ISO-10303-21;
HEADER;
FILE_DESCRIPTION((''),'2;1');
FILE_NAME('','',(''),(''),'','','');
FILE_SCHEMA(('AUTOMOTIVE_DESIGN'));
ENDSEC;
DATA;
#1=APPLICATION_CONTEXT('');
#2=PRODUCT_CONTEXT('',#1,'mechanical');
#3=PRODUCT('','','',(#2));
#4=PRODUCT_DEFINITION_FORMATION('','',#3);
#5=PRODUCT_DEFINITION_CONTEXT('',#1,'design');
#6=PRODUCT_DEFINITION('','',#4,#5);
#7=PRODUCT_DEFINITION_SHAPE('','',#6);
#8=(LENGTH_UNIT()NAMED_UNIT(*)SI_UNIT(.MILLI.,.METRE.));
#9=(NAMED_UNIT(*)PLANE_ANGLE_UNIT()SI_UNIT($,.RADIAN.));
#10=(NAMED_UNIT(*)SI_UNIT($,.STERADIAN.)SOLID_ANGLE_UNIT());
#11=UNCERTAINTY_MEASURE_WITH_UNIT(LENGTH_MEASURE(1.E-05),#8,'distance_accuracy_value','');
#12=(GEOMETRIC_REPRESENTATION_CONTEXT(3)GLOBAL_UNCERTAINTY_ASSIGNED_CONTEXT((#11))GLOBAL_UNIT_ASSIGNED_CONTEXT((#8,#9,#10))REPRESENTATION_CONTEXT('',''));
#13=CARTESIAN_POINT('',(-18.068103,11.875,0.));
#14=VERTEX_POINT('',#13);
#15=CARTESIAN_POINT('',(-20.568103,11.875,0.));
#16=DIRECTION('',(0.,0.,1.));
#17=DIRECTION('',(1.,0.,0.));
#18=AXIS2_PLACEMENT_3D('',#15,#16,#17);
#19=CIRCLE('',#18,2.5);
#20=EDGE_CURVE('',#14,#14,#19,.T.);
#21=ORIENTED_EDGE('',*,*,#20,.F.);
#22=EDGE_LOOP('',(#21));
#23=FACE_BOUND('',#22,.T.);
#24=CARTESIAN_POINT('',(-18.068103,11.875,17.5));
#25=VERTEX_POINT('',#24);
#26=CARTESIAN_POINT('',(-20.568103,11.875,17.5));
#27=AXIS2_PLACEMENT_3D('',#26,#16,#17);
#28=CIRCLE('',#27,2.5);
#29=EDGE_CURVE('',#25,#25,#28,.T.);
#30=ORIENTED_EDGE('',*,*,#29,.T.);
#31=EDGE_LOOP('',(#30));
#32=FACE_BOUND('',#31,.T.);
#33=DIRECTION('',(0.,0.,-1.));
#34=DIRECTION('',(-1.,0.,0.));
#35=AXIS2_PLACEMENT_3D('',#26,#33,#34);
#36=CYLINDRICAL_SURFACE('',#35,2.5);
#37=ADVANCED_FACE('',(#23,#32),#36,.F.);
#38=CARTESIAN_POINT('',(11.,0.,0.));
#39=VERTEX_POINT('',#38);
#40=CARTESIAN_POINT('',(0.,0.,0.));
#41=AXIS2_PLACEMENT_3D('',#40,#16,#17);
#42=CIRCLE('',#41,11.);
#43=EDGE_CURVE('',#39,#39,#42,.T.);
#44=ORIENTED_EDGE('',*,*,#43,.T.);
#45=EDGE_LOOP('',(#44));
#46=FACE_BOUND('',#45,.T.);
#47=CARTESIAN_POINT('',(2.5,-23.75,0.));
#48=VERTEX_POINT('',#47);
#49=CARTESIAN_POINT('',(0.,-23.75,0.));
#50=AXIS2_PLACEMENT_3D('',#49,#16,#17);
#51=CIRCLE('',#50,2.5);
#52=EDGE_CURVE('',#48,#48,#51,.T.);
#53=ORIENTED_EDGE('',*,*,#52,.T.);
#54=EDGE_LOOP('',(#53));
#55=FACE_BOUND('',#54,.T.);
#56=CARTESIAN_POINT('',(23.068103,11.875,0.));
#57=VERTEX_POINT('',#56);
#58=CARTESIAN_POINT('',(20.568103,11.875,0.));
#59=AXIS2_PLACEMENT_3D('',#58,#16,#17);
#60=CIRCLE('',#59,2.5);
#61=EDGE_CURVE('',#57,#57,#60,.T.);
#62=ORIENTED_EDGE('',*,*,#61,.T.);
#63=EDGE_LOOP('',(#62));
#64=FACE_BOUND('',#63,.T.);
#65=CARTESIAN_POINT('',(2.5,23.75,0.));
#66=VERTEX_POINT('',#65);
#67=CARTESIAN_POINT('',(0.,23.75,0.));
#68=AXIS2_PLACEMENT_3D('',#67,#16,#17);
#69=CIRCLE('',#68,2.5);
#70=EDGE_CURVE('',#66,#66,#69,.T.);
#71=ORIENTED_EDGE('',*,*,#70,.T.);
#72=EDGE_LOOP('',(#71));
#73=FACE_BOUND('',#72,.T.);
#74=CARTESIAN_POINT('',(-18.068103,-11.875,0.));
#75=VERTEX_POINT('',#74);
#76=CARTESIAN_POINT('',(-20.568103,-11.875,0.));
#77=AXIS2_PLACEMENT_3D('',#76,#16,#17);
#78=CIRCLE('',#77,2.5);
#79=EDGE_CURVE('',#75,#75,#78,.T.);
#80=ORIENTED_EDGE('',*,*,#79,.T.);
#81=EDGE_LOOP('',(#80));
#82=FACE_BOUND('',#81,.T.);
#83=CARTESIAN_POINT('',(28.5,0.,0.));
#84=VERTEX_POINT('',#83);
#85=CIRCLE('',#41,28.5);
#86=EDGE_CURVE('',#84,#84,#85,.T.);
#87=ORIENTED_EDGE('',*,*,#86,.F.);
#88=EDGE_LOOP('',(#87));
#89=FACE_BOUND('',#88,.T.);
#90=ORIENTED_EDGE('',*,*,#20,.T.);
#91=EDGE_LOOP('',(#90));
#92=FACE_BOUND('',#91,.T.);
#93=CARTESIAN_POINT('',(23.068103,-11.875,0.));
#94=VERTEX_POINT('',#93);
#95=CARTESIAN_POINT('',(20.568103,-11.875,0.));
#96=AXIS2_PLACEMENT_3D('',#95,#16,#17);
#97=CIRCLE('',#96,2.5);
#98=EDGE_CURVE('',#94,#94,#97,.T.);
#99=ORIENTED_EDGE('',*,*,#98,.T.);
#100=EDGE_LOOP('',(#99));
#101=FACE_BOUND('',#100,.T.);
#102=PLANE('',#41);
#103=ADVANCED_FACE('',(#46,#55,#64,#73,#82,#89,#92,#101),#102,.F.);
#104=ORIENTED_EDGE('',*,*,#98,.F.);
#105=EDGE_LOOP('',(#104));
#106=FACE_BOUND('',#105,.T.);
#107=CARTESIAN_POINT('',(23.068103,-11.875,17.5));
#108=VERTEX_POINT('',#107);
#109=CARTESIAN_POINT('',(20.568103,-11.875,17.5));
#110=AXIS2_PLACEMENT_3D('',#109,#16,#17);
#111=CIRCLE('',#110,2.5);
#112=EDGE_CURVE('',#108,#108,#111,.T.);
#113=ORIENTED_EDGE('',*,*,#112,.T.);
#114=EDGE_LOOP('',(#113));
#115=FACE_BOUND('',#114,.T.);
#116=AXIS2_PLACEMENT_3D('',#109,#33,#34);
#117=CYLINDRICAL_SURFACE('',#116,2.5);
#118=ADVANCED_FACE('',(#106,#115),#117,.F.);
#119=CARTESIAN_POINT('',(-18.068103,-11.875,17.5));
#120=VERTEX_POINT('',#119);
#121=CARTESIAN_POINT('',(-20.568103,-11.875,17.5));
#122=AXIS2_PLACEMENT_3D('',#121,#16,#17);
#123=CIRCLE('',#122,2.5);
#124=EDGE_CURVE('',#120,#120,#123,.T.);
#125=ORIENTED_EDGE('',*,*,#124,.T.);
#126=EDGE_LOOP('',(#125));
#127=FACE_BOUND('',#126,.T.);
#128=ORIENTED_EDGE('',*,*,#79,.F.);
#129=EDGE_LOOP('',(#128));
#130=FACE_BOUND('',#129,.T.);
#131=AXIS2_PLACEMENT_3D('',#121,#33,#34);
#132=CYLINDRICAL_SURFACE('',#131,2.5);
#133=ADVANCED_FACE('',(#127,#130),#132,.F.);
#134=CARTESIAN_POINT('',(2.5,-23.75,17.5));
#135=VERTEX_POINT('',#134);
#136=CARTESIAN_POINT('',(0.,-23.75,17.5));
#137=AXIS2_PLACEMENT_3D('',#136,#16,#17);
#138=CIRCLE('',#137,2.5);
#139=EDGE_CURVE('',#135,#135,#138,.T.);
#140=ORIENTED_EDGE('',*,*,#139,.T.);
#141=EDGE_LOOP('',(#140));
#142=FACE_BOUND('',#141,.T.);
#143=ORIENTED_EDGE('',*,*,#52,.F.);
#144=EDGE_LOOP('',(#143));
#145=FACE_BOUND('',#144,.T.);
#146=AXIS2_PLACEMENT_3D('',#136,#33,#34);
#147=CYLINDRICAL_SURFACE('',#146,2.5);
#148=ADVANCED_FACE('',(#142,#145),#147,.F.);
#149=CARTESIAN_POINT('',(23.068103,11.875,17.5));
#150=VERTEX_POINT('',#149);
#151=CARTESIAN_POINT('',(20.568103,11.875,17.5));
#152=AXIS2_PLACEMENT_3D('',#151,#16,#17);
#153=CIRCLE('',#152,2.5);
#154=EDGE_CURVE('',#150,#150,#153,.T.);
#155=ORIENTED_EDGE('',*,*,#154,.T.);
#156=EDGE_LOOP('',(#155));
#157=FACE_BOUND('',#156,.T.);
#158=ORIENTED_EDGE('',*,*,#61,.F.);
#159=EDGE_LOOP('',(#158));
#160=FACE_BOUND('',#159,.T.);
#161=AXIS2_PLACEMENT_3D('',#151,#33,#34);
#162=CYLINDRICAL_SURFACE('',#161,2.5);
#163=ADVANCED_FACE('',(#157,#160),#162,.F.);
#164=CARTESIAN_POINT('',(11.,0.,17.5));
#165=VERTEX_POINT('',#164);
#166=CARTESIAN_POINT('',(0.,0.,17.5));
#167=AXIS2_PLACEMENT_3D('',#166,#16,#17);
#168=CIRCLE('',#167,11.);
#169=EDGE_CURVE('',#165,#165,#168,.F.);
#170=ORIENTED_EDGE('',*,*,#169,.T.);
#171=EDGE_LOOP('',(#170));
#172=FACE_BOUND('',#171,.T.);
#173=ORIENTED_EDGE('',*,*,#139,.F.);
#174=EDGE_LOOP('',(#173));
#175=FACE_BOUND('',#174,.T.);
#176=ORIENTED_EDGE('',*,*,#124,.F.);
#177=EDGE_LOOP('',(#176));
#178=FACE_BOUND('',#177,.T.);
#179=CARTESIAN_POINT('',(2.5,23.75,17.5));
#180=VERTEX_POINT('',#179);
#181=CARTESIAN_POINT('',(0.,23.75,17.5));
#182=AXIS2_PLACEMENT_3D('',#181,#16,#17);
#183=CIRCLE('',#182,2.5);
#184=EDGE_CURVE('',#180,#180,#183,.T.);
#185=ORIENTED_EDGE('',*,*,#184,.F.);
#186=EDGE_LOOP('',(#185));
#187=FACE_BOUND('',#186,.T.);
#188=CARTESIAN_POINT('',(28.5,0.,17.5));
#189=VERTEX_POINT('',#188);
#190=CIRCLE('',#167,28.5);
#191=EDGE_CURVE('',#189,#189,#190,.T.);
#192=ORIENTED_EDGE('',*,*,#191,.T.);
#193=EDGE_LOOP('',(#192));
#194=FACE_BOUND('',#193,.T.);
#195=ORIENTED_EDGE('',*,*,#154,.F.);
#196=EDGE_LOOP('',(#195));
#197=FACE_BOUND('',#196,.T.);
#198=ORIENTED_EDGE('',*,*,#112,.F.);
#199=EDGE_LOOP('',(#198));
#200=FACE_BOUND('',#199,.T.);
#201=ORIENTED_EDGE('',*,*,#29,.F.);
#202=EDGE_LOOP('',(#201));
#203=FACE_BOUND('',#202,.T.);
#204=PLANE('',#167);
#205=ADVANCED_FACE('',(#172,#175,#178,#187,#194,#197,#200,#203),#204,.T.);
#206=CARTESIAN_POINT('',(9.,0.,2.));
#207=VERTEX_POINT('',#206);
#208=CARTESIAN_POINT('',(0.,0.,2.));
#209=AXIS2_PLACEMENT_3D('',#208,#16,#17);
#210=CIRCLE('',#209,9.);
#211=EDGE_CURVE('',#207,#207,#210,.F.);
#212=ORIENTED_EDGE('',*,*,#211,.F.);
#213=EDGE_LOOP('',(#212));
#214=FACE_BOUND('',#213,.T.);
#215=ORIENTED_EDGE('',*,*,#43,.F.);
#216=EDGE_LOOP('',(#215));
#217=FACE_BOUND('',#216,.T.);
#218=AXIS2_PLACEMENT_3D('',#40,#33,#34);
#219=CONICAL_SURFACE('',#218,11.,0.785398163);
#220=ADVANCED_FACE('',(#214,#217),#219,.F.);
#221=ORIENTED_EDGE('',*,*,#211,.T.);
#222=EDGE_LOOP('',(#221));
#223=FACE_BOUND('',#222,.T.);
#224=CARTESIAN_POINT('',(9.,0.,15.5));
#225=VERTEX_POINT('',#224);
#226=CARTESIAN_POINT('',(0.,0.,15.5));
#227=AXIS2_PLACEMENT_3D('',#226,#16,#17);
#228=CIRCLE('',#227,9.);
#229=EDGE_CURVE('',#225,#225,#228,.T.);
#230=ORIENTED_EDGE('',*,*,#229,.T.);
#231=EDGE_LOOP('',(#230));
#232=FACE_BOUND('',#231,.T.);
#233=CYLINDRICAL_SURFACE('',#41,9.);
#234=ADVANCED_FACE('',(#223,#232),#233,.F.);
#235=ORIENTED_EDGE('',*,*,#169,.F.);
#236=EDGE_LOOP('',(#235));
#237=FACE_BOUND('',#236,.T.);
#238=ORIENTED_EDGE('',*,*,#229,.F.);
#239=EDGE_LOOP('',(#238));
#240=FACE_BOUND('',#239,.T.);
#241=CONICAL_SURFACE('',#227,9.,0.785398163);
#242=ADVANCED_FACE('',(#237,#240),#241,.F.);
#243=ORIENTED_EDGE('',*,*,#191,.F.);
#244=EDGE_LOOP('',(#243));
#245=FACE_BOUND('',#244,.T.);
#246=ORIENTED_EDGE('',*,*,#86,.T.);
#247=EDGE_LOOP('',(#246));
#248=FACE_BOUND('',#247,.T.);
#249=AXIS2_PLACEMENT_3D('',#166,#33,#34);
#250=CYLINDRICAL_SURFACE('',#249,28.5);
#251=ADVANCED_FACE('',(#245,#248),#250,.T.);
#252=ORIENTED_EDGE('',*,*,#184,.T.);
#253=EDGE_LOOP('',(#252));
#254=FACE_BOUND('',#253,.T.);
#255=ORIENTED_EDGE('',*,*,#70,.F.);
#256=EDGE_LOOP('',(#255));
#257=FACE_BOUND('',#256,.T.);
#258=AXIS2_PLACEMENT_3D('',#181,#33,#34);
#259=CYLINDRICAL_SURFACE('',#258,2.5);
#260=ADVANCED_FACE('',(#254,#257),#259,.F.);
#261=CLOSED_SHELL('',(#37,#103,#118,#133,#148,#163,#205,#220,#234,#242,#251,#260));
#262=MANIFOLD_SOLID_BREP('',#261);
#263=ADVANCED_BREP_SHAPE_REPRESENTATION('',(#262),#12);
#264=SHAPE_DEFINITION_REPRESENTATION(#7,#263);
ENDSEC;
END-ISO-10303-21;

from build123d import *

# Parameters (mm, degrees)
SKETCH1_R           = 28.5
SKETCH1_R_2         = 2.5
BOSS_EXTRUDE1_DEPTH = 17.5
SKETCH2_R           = 9
CUT_EXTRUDE1_DEPTH  = 18.5
CHAMFER1_SIZE       = 2


with BuildPart() as part:
    # Sketch1 → Boss-Extrude1 (new body)
    with BuildSketch(Plane.XY):
        Circle(SKETCH1_R)
        with Locations((0, 23.75)):
            Circle(SKETCH1_R_2, mode=Mode.SUBTRACT)
        with Locations((20.56810334, 11.875)):
            Circle(SKETCH1_R_2, mode=Mode.SUBTRACT)
        with Locations((20.56810334, -11.875)):
            Circle(SKETCH1_R_2, mode=Mode.SUBTRACT)
        with Locations((0, -23.75)):
            Circle(SKETCH1_R_2, mode=Mode.SUBTRACT)
        with Locations((-20.56810334, -11.875)):
            Circle(SKETCH1_R_2, mode=Mode.SUBTRACT)
        with Locations((-20.56810334, 11.875)):
            Circle(SKETCH1_R_2, mode=Mode.SUBTRACT)
    extrude(amount=BOSS_EXTRUDE1_DEPTH)

    # Sketch2 → Cut-Extrude1 (cut, through all)
    with BuildSketch(Plane.XY.offset(17.5)):
        Circle(SKETCH2_R)
    extrude(amount=-CUT_EXTRUDE1_DEPTH, mode=Mode.SUBTRACT)

    # Chamfer1
    chamfer1_edges = [part.edges().sort_by_distance(p)[0] for p in [
        (-9, 0, 0),
        (-9, 0, 17.5),
    ]]
    chamfer(chamfer1_edges, length=CHAMFER1_SIZE)


solid = part.part
